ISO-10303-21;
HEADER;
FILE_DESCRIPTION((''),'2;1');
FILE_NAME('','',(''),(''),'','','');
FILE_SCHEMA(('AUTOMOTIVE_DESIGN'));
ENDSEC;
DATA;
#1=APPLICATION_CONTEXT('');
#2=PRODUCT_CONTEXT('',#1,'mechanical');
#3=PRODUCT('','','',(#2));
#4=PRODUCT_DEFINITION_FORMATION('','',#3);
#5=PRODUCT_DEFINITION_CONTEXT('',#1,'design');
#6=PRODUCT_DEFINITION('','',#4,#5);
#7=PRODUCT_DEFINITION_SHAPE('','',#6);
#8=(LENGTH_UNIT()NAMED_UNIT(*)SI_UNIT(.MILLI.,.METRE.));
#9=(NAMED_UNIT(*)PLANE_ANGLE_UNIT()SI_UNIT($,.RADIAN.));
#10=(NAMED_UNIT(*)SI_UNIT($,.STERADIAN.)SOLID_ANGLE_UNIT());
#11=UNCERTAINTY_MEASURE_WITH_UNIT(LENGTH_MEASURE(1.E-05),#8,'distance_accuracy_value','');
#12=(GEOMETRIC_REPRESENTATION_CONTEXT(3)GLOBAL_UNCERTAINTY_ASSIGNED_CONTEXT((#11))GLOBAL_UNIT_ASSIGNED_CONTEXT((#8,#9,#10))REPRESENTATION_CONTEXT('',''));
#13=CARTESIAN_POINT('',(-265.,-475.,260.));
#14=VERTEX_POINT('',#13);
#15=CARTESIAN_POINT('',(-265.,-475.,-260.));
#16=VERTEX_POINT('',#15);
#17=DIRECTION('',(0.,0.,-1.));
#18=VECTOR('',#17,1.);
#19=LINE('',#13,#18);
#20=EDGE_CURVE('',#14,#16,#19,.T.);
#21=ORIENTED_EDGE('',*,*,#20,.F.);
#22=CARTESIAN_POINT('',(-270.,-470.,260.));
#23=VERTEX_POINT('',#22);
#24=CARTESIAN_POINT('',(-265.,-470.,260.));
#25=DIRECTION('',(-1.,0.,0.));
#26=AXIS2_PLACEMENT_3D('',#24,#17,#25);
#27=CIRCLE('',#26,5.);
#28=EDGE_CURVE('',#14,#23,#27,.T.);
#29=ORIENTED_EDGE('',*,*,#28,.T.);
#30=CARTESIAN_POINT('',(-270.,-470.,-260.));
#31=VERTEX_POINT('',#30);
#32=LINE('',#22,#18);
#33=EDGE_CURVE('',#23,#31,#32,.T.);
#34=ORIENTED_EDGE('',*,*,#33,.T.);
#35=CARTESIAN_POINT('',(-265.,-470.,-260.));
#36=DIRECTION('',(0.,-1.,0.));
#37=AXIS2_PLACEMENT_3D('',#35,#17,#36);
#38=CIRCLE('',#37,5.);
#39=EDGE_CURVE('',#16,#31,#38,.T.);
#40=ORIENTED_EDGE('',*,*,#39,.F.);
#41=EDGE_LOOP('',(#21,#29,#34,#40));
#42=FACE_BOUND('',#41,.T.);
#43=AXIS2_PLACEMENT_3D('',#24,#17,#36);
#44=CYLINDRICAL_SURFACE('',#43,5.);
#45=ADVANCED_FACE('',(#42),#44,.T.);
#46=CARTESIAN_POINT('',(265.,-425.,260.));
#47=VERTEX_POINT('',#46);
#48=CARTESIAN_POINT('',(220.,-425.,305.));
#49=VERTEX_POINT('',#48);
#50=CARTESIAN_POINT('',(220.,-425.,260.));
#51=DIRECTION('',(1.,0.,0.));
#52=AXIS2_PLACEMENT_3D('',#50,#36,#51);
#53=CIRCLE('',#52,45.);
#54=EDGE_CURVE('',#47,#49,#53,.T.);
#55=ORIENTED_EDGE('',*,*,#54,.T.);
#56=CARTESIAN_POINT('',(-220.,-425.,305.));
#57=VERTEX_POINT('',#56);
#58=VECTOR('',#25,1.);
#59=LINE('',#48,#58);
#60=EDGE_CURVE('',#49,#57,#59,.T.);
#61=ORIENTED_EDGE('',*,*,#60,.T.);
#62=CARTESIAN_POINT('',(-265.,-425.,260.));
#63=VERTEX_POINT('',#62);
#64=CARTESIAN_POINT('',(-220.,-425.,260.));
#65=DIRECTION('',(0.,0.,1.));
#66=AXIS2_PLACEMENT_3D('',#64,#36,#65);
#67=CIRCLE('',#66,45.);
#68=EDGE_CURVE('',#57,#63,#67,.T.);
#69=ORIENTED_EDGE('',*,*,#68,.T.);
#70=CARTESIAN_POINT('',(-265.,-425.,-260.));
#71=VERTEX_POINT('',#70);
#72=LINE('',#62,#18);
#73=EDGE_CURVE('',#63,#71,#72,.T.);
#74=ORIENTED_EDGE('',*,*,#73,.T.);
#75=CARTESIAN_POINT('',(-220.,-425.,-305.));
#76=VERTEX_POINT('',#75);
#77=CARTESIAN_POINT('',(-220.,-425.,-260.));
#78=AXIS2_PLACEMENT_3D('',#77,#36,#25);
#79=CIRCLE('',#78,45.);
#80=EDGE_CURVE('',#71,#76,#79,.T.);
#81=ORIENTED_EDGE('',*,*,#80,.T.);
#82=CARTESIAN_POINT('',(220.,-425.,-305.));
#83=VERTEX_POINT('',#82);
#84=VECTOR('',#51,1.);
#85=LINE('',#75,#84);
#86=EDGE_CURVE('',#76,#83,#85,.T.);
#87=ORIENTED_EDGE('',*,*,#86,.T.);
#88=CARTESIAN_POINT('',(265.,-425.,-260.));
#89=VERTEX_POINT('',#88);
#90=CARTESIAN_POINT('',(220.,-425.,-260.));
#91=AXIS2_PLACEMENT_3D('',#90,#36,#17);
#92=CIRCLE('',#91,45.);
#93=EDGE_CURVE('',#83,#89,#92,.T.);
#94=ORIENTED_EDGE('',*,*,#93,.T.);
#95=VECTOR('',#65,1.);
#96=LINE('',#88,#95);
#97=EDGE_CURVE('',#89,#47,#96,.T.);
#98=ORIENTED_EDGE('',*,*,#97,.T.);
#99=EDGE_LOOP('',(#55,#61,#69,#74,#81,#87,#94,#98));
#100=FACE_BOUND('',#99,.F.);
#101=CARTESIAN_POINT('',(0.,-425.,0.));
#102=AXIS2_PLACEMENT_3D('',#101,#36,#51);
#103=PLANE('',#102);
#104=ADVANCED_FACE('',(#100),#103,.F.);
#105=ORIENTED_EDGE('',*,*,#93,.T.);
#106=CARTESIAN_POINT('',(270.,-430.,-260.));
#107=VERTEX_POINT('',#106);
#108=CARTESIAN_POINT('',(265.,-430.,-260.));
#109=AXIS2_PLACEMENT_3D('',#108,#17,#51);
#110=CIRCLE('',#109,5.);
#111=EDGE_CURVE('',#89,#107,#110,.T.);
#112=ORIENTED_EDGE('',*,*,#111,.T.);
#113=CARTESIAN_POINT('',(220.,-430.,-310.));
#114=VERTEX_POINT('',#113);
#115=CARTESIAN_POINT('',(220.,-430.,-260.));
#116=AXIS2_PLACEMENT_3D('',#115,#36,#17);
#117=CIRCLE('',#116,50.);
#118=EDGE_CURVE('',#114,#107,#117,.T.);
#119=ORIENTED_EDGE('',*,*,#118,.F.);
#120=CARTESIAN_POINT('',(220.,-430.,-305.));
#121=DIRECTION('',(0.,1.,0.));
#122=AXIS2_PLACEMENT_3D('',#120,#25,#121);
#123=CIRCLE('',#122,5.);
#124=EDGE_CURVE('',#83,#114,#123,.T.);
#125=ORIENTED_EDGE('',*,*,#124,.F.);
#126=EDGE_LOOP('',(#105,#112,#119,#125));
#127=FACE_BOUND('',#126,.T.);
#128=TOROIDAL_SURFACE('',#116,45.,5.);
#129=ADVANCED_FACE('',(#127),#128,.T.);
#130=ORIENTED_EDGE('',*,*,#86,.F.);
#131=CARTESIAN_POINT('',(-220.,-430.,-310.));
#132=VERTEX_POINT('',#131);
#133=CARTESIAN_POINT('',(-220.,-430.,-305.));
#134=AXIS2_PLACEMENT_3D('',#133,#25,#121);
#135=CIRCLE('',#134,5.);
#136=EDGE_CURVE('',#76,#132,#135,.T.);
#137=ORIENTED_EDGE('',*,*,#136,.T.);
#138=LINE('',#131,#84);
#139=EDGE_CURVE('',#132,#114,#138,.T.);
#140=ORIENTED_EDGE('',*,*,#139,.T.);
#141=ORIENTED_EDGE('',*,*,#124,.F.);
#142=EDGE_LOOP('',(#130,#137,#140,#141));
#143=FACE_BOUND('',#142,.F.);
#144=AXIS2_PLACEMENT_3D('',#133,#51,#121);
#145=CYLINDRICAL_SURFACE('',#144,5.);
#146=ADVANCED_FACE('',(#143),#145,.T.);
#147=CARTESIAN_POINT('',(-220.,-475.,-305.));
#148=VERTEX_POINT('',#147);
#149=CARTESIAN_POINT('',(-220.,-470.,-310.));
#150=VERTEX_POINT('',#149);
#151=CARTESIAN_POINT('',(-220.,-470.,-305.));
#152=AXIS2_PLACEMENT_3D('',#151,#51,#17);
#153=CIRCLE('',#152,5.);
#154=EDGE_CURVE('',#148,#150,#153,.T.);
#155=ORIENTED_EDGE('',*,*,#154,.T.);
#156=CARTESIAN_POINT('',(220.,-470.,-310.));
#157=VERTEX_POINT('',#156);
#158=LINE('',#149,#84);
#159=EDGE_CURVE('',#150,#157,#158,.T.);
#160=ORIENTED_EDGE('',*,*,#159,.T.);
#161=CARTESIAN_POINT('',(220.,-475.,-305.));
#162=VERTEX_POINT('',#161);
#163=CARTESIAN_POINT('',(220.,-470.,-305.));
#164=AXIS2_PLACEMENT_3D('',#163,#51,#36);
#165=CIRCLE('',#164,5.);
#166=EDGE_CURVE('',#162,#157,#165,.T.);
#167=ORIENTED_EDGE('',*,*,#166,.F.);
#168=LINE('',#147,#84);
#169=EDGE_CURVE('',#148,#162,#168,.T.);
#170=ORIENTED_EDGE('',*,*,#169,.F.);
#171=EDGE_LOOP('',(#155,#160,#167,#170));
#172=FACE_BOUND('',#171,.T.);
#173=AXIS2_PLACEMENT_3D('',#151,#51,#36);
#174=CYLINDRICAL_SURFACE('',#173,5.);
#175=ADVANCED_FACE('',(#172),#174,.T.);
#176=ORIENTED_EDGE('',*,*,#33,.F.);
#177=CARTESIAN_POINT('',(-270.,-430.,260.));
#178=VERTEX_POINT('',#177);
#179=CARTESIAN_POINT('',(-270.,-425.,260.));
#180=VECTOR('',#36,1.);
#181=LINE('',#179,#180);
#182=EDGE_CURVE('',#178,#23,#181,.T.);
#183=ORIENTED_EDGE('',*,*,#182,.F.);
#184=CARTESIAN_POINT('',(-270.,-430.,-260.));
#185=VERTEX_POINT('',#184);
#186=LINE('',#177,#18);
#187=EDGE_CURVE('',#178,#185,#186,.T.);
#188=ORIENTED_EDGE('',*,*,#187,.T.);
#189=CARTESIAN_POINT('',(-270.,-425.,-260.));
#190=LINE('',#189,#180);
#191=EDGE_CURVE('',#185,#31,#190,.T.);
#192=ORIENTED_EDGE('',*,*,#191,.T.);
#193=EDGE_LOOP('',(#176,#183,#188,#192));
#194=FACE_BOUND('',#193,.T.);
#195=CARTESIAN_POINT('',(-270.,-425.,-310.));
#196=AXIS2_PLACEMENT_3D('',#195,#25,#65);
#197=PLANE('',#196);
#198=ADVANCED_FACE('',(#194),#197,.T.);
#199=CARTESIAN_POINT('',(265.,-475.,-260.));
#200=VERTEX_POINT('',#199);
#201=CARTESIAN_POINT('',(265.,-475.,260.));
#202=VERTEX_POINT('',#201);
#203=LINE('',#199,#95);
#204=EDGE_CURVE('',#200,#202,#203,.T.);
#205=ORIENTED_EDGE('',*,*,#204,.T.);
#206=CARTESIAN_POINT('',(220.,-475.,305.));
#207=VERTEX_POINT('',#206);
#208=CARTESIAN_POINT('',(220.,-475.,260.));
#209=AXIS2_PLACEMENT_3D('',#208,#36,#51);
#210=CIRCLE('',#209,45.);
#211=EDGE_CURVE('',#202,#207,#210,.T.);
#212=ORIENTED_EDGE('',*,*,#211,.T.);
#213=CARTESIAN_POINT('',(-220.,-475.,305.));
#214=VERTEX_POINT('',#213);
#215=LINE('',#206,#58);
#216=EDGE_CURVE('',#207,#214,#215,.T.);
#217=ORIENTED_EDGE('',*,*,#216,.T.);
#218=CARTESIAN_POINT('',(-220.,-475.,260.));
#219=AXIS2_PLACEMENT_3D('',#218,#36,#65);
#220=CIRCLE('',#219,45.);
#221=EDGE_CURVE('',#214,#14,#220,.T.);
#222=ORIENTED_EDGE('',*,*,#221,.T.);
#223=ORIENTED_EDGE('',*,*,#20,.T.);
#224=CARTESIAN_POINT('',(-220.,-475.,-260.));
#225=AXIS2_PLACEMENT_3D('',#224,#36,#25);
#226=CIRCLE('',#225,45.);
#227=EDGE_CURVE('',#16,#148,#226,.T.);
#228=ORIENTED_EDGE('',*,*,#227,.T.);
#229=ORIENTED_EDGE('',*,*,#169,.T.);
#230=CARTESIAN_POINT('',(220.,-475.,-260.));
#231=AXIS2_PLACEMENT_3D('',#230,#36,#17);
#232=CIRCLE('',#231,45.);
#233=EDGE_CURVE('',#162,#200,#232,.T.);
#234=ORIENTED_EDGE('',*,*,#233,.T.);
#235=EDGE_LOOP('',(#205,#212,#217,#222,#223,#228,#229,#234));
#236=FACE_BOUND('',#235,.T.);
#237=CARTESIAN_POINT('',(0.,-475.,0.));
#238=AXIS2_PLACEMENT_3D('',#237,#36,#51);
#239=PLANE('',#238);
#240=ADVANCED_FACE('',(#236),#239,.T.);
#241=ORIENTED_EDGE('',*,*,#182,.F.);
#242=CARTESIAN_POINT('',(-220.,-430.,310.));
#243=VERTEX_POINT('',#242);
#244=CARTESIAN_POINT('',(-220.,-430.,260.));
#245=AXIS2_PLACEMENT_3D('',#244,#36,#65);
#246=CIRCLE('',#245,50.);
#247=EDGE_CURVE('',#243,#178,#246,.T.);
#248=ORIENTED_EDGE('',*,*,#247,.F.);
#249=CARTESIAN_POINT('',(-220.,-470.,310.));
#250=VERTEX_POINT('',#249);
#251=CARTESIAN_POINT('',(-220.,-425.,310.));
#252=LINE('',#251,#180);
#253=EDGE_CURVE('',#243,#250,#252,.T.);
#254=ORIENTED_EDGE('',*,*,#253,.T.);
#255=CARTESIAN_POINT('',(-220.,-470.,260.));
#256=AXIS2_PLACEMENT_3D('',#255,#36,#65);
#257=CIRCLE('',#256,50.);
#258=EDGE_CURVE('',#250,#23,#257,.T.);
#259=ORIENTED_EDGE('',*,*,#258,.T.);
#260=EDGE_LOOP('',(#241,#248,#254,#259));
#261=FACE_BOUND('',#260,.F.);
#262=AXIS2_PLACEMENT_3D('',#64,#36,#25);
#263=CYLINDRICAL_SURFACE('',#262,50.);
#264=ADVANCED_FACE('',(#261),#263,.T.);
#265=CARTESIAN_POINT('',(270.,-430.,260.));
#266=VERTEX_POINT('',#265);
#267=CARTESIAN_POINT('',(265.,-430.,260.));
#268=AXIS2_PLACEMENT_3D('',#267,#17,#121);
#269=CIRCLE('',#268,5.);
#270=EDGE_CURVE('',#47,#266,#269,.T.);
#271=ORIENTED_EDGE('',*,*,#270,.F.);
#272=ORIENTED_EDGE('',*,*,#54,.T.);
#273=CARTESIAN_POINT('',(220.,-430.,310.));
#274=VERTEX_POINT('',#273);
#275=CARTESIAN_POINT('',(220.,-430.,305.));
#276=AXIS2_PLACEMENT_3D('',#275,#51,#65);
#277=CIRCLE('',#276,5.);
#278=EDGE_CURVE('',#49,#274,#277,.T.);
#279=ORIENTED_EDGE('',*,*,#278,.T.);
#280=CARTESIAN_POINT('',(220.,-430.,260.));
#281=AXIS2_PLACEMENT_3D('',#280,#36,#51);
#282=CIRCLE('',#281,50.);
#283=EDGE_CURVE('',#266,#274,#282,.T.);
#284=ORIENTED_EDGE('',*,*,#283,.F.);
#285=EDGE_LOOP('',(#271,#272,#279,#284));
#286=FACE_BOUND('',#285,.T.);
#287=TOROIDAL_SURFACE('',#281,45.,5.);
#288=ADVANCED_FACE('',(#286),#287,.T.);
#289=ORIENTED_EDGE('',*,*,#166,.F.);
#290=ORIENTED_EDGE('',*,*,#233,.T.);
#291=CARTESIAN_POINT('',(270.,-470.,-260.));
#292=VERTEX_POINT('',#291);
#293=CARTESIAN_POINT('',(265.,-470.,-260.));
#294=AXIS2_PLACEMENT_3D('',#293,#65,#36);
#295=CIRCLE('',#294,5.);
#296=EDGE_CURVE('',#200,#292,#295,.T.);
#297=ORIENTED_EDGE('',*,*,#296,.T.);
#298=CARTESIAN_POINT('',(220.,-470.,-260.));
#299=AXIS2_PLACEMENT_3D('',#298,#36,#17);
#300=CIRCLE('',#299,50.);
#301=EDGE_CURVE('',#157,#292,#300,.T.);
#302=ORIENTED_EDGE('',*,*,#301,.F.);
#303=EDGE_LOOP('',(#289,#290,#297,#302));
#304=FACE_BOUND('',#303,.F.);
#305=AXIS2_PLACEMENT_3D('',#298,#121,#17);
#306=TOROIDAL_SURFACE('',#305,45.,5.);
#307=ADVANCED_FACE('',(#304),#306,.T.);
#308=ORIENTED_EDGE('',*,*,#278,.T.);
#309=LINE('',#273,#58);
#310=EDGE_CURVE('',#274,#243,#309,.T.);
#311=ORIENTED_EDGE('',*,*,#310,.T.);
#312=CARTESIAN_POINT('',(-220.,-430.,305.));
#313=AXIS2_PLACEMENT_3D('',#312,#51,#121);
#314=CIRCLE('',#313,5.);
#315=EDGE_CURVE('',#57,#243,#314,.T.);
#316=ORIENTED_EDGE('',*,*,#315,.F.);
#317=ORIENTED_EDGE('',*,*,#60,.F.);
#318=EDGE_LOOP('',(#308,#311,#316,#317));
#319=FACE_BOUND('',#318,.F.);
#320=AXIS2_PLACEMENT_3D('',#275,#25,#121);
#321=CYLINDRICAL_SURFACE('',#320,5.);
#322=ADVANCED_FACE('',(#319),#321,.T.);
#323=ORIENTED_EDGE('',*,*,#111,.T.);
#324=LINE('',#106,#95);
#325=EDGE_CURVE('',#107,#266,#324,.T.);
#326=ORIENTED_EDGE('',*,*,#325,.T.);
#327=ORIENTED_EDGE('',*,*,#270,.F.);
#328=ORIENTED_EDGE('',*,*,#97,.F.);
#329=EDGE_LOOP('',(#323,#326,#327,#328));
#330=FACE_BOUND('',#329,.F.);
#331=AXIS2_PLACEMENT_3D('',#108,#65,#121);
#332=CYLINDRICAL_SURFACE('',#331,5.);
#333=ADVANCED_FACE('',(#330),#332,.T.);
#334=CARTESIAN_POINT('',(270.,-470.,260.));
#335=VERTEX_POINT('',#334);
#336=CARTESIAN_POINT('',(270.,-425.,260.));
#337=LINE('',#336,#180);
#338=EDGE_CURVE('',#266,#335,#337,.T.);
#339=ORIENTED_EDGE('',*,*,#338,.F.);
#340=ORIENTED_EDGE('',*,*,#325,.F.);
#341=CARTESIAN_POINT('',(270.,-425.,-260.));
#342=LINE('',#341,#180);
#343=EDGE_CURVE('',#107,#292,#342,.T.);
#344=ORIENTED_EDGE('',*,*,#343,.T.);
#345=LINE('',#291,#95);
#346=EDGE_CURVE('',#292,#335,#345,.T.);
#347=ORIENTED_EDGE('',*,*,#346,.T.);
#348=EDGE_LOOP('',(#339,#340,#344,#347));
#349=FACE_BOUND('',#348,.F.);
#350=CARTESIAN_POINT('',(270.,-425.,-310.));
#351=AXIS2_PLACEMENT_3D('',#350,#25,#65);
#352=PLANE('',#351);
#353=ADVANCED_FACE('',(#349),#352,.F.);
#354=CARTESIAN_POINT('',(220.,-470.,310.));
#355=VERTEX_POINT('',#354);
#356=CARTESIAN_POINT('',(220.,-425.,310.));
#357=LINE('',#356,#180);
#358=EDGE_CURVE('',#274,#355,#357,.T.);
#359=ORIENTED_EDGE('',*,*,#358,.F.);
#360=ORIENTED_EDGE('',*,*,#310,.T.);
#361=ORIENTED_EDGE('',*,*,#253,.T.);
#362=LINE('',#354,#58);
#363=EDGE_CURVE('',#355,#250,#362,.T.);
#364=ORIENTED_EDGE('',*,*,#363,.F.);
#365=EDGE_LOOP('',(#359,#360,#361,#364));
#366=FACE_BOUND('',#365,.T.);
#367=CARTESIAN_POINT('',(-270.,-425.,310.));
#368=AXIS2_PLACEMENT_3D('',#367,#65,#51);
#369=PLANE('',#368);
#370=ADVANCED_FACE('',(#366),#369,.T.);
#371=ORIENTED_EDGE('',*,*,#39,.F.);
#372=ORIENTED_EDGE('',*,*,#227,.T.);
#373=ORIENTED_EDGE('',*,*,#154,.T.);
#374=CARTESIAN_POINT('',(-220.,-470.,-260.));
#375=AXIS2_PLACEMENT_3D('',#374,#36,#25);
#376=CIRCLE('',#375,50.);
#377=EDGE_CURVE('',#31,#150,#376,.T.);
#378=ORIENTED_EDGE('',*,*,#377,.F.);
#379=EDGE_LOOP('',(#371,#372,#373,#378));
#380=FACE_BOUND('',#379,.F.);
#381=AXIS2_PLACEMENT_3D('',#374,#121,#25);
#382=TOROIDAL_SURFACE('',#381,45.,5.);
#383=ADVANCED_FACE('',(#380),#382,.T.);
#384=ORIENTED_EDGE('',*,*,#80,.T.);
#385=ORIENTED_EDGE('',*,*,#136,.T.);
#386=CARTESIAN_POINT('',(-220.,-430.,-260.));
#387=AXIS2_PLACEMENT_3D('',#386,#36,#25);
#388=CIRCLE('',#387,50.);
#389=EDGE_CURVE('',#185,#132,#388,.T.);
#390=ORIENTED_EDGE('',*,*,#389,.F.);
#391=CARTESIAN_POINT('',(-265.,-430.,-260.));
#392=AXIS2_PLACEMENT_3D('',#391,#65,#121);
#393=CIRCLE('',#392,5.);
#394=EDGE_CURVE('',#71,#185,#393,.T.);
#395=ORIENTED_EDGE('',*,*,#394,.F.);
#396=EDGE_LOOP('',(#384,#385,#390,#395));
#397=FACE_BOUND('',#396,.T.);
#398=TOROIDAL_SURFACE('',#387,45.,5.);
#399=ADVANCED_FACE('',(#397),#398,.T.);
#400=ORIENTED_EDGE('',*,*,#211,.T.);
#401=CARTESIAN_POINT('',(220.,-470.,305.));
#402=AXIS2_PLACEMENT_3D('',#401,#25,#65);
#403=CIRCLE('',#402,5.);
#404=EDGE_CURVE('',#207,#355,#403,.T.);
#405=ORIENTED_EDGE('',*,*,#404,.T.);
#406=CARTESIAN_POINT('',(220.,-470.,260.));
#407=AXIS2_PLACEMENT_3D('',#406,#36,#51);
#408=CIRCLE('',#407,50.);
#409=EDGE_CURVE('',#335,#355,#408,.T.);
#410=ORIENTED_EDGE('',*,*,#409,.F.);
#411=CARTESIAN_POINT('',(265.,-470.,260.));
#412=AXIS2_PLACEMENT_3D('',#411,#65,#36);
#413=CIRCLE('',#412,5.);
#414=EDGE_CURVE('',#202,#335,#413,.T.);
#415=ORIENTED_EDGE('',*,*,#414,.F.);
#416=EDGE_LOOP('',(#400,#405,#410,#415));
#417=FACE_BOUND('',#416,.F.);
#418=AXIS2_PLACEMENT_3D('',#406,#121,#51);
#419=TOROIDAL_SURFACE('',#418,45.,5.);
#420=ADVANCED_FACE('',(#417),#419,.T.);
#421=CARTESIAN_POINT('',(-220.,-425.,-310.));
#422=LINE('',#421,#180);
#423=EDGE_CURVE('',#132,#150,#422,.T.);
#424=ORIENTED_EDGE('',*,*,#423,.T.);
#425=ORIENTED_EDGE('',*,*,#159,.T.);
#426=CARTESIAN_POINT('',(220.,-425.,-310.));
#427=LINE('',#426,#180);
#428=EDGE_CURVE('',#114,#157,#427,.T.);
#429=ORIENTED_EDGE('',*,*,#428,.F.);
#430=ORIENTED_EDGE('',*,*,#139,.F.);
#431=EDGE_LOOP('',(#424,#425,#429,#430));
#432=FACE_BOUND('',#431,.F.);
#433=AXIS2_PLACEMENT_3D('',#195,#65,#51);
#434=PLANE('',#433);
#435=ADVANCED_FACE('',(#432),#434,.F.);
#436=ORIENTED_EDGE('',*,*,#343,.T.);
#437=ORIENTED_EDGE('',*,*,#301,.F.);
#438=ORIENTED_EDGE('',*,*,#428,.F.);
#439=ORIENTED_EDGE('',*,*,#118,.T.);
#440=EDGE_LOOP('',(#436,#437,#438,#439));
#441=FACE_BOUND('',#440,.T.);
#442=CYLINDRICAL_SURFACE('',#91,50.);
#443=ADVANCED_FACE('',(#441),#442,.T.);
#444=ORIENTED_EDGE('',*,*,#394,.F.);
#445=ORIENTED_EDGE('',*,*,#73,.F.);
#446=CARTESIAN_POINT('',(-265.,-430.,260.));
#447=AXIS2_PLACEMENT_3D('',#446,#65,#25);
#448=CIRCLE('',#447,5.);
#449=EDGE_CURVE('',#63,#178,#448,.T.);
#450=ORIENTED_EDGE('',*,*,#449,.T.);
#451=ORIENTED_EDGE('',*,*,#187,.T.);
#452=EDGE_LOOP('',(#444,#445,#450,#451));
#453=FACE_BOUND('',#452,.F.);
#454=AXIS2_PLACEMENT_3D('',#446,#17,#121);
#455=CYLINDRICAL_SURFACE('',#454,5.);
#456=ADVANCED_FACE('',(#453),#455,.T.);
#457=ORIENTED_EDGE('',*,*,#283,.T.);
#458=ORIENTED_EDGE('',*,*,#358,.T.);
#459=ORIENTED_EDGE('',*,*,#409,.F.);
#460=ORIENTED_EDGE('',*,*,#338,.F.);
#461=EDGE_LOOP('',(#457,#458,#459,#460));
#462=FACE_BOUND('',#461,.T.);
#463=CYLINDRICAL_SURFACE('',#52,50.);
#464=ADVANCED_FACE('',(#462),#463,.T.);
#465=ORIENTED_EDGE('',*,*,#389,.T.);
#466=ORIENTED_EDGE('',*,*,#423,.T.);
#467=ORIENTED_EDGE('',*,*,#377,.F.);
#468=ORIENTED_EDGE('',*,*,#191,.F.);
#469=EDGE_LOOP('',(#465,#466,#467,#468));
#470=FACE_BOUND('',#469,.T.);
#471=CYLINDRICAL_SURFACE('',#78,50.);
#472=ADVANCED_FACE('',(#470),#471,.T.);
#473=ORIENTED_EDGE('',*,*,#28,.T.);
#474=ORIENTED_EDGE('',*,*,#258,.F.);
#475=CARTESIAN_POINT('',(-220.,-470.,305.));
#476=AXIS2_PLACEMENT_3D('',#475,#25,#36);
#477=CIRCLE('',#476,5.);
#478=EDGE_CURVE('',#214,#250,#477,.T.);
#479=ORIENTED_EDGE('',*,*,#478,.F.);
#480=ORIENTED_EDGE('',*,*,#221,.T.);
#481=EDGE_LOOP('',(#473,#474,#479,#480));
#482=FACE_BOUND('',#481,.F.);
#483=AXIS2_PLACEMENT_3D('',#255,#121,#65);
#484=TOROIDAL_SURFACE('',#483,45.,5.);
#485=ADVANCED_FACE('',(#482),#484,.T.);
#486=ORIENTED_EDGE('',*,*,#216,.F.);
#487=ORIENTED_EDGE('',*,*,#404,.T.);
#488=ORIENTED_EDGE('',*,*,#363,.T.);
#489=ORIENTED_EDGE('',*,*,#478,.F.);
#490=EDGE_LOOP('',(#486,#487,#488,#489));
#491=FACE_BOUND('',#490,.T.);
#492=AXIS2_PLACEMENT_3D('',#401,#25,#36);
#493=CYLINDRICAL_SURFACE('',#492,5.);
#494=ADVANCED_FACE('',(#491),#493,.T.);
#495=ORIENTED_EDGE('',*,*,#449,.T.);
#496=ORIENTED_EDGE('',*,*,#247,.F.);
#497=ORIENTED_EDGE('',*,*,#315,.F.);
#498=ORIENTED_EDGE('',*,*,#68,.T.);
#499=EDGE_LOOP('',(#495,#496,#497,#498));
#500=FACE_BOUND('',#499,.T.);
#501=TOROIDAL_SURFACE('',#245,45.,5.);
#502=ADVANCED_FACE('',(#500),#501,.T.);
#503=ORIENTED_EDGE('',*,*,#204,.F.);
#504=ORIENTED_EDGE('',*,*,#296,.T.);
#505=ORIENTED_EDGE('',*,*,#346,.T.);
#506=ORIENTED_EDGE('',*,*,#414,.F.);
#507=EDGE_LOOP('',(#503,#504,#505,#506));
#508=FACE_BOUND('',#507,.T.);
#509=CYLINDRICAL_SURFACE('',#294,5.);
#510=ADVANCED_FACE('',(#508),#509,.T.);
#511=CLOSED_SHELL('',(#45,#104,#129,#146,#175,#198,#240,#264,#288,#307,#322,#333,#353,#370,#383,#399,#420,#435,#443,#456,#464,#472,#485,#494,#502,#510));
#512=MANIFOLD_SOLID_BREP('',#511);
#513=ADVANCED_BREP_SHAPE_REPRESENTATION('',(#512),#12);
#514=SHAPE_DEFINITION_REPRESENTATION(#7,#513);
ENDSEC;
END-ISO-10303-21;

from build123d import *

# Parameters (mm, degrees)
SKETCH001_W  = 540
SKETCH001_H  = 620
PAD001_DEPTH = 50
FILLET001_R  = 50
FILLET002_R  = 5


with BuildPart() as part:
    # Sketch001 (on Face1 of Binder) → Pad001 (new body)
    with BuildSketch(Plane.XZ.offset(425)):
        Rectangle(SKETCH001_W, SKETCH001_H)
    extrude(amount=PAD001_DEPTH)

    # Fillet001
    fillet001_edges = [part.edges().sort_by_distance(p)[0] for p in [
        (270, -450, -310),
        (-270, -450, -310),
        (270, -450, 310),
        (-270, -450, 310),
    ]]
    fillet(fillet001_edges, radius=FILLET001_R)

    # Fillet002
    fillet002_edges = [part.edges().sort_by_distance(p)[0] for p in [
        (270, -475, 0),
        (0, -425, -310),
    ]]
    fillet(fillet002_edges, radius=FILLET002_R)


solid = part.part
